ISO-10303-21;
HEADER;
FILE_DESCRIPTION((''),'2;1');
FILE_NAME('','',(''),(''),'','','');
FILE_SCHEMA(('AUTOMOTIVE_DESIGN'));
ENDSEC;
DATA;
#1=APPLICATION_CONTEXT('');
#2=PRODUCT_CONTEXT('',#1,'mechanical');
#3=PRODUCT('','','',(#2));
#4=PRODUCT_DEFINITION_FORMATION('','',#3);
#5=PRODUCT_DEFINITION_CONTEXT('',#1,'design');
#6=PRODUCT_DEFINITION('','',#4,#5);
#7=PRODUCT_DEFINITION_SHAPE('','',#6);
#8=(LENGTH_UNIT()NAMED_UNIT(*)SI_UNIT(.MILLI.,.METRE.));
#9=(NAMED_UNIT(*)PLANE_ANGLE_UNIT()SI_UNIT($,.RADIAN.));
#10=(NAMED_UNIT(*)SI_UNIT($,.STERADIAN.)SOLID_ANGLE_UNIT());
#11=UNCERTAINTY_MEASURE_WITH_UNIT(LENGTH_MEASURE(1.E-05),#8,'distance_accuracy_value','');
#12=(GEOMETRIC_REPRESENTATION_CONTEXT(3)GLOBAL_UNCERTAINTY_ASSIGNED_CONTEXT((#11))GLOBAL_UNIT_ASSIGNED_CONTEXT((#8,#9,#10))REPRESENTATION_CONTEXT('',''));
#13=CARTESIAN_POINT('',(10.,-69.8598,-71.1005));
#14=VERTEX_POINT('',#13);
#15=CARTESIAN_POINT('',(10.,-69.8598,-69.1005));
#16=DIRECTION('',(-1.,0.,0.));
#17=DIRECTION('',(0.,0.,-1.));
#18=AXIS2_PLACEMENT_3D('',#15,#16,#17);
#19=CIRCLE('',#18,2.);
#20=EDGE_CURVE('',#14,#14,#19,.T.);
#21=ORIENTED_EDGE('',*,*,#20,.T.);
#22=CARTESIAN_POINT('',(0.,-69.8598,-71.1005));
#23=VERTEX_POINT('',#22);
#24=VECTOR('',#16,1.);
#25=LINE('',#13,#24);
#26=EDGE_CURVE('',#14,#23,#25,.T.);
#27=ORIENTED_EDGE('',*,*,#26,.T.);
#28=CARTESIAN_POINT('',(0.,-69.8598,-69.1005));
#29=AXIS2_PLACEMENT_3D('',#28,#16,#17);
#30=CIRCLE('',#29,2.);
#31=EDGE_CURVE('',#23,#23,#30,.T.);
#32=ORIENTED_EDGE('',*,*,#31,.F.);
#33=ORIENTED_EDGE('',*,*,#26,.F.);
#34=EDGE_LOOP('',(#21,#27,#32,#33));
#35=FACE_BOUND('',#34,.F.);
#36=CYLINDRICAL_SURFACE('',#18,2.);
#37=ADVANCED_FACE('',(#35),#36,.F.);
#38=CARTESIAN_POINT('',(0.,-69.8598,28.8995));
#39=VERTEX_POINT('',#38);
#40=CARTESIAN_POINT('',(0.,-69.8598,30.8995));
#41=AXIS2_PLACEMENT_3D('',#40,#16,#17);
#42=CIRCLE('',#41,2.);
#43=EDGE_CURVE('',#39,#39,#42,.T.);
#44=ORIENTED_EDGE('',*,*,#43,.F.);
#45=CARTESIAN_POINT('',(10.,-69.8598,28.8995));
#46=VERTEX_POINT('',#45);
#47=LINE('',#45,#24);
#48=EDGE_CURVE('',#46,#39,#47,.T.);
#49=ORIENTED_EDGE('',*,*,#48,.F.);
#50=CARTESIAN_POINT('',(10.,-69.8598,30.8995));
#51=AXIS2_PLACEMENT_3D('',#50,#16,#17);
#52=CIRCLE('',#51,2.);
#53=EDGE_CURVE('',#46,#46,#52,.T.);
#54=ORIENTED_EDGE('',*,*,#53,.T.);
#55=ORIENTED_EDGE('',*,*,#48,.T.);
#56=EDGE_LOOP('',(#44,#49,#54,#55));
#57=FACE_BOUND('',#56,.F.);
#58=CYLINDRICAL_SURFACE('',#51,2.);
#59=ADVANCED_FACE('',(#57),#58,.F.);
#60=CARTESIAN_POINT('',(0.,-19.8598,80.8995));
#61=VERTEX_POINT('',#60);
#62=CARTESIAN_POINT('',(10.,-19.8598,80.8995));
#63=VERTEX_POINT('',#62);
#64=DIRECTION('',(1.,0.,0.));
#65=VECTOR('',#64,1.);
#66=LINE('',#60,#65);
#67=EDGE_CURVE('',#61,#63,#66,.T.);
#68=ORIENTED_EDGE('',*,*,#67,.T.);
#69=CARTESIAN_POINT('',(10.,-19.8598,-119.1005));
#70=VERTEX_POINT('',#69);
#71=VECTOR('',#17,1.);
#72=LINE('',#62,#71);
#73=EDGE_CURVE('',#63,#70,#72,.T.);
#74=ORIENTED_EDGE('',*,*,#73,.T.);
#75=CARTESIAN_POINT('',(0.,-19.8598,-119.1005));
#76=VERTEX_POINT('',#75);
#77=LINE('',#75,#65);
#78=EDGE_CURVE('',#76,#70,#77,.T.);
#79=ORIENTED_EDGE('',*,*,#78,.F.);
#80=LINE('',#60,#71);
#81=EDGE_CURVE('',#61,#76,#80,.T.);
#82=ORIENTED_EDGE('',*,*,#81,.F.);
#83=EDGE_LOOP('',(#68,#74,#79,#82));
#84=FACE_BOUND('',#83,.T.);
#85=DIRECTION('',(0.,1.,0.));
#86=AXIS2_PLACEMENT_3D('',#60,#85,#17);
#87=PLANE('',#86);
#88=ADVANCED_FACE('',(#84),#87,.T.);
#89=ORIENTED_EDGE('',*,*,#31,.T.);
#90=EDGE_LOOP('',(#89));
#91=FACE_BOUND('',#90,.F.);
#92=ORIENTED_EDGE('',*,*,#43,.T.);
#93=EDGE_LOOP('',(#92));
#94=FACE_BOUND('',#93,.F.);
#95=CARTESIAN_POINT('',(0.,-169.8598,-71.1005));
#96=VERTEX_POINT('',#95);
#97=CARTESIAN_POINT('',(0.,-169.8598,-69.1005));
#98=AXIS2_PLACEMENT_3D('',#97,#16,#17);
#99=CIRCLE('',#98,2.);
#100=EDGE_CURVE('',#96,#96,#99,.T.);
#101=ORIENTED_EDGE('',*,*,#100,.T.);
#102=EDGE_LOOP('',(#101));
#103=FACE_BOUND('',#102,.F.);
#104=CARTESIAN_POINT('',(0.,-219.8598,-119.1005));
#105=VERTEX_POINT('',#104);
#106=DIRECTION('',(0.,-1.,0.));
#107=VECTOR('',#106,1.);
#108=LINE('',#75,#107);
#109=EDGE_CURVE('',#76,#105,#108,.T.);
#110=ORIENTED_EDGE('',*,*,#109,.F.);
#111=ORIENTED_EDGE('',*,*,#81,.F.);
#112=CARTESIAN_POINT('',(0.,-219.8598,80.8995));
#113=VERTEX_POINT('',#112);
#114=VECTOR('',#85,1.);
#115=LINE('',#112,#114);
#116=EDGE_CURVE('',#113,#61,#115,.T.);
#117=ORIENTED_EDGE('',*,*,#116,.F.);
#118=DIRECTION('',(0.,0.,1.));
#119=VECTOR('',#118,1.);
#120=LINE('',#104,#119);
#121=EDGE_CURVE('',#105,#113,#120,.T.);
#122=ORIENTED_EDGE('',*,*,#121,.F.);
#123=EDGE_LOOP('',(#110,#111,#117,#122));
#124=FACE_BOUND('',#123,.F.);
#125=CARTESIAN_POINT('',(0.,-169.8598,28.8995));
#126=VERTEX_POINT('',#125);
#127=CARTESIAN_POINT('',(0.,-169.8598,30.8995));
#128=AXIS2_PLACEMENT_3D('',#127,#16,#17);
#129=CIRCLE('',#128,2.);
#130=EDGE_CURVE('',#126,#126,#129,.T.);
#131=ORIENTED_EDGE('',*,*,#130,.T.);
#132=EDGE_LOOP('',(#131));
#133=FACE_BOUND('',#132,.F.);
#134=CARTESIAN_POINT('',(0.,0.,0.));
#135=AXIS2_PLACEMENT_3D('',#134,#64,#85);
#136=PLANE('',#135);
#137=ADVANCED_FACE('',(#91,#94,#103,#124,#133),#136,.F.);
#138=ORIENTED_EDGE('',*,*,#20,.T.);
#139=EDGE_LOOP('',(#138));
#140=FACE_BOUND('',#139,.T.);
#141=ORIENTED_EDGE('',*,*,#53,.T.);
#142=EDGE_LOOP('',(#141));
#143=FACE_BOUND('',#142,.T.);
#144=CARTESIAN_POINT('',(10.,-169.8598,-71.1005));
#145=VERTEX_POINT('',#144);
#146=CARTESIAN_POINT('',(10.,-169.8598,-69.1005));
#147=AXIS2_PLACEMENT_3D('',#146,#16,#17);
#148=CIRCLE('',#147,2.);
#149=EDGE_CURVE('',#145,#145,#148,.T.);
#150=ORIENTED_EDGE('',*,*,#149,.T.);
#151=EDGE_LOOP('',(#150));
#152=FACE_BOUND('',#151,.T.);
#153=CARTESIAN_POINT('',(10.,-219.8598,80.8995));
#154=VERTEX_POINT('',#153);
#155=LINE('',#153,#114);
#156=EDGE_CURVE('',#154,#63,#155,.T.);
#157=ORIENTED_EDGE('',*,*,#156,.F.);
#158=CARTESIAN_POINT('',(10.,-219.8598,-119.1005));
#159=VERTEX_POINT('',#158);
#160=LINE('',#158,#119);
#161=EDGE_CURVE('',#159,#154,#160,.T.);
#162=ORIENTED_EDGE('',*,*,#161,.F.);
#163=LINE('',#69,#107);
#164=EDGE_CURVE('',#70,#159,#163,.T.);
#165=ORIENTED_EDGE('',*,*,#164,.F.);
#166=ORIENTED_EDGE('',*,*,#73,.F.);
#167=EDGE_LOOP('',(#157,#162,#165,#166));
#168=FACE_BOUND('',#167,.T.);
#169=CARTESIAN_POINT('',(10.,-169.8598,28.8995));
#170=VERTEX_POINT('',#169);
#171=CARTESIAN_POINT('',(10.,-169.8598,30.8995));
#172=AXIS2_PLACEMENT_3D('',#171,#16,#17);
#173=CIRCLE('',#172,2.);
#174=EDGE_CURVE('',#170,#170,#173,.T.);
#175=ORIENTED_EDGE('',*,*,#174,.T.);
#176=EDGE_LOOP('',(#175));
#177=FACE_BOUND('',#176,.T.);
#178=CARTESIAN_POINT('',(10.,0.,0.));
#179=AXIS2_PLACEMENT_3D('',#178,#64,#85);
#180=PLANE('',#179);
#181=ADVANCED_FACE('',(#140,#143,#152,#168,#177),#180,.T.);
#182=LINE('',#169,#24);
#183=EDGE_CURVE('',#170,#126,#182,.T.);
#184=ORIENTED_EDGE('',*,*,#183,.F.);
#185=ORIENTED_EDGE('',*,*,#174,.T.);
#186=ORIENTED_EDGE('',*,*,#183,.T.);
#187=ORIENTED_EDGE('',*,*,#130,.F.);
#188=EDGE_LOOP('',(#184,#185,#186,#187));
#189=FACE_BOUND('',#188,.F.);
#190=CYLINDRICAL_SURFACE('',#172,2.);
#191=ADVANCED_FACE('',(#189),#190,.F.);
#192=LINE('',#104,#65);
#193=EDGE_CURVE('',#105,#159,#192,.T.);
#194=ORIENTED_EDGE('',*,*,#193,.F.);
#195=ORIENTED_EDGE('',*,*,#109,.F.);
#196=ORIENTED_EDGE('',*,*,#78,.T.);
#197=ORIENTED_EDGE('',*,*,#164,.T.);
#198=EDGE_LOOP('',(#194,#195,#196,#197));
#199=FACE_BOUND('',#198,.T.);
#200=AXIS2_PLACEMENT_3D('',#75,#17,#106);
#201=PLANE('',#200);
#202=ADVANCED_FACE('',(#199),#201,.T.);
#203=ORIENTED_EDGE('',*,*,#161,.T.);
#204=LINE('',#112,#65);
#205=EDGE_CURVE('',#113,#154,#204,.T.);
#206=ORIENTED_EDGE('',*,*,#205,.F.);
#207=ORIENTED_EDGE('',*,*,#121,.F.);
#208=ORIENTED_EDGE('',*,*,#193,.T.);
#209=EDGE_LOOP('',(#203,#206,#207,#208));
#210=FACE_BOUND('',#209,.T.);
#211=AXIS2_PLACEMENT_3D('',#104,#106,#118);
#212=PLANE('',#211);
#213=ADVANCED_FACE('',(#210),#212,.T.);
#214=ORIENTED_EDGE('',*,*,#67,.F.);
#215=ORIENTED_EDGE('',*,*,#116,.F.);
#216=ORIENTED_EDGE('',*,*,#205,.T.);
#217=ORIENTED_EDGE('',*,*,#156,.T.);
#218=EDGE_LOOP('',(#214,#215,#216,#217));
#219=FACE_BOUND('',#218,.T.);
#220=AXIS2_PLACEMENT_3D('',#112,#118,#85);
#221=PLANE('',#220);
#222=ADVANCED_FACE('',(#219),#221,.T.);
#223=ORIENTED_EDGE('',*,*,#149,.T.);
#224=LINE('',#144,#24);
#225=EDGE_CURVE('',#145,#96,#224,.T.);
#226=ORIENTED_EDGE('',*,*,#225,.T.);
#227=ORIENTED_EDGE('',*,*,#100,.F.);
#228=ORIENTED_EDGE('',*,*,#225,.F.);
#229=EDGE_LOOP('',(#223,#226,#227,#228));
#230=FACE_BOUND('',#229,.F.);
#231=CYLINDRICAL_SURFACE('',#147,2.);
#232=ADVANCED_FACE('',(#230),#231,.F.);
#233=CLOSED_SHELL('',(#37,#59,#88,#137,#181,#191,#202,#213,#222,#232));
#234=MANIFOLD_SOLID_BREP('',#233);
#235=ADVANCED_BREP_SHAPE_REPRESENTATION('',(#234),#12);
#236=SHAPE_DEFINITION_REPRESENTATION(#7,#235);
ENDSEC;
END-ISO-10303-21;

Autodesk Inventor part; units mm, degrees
ref_plane "YZ Plane" through (0, 0, 0) normal (1, 0, 0) x (0, 1, 0)
ref_plane "XZ Plane" through (0, 0, 0) normal (0, 1, 0) x (-1, 0, 0)
ref_plane "XY Plane" through (0, 0, 0) normal (0, 0, 1) x (1, 0, 0)
sketch "スケッチ1" plane through (0, 0, 0) normal (1, 0, 0) x (0, 1, 0)
  line L0 (-219.8598, 80.8995) -> (-19.8598, 80.8995)
  line L1 (-19.8598, 80.8995) -> (-19.8598, -119.1005)
  line L2 (-19.8598, -119.1005) -> (-219.8598, -119.1005)
  line L3 (-219.8598, -119.1005) -> (-219.8598, 80.8995)
  point P0 (0, 0)
  dimension "d0" = 200
  dimension "d2" = 200
extrude "押し出し1" add sketch "スケッチ1" along normal blind 10
sketch "スケッチ2" plane through (10, 0, 0) normal (1, 0, 0) x (0, 0, -1)
  line L0 (-80.8995, -19.8598) -> (-80.8995, -219.8598) projected
  line L1 (119.1005, -19.8598) -> (-80.8995, -19.8598) projected
  point P0 (0, 0)
  point P1 (-30.8995, -69.8598)
  point P2 (69.1005, -69.8598)
  point P3 (69.1005, -169.8598)
  point P4 (-30.8995, -169.8598)
  dimension "d5" = 100
  dimension "d7" = 100
  dimension "d8" = 50
  dimension "d9" = 100
  dimension "d10" = 50
hole "穴1" at (10, -69.8598, 30.8995) at (10, -69.8598, -69.1005) at (10, -169.8598, -69.1005) at (10, -169.8598, 30.8995) direction (-1, 0, 0) diameter 4 end through all
properties material "アルミニウム 6061"
